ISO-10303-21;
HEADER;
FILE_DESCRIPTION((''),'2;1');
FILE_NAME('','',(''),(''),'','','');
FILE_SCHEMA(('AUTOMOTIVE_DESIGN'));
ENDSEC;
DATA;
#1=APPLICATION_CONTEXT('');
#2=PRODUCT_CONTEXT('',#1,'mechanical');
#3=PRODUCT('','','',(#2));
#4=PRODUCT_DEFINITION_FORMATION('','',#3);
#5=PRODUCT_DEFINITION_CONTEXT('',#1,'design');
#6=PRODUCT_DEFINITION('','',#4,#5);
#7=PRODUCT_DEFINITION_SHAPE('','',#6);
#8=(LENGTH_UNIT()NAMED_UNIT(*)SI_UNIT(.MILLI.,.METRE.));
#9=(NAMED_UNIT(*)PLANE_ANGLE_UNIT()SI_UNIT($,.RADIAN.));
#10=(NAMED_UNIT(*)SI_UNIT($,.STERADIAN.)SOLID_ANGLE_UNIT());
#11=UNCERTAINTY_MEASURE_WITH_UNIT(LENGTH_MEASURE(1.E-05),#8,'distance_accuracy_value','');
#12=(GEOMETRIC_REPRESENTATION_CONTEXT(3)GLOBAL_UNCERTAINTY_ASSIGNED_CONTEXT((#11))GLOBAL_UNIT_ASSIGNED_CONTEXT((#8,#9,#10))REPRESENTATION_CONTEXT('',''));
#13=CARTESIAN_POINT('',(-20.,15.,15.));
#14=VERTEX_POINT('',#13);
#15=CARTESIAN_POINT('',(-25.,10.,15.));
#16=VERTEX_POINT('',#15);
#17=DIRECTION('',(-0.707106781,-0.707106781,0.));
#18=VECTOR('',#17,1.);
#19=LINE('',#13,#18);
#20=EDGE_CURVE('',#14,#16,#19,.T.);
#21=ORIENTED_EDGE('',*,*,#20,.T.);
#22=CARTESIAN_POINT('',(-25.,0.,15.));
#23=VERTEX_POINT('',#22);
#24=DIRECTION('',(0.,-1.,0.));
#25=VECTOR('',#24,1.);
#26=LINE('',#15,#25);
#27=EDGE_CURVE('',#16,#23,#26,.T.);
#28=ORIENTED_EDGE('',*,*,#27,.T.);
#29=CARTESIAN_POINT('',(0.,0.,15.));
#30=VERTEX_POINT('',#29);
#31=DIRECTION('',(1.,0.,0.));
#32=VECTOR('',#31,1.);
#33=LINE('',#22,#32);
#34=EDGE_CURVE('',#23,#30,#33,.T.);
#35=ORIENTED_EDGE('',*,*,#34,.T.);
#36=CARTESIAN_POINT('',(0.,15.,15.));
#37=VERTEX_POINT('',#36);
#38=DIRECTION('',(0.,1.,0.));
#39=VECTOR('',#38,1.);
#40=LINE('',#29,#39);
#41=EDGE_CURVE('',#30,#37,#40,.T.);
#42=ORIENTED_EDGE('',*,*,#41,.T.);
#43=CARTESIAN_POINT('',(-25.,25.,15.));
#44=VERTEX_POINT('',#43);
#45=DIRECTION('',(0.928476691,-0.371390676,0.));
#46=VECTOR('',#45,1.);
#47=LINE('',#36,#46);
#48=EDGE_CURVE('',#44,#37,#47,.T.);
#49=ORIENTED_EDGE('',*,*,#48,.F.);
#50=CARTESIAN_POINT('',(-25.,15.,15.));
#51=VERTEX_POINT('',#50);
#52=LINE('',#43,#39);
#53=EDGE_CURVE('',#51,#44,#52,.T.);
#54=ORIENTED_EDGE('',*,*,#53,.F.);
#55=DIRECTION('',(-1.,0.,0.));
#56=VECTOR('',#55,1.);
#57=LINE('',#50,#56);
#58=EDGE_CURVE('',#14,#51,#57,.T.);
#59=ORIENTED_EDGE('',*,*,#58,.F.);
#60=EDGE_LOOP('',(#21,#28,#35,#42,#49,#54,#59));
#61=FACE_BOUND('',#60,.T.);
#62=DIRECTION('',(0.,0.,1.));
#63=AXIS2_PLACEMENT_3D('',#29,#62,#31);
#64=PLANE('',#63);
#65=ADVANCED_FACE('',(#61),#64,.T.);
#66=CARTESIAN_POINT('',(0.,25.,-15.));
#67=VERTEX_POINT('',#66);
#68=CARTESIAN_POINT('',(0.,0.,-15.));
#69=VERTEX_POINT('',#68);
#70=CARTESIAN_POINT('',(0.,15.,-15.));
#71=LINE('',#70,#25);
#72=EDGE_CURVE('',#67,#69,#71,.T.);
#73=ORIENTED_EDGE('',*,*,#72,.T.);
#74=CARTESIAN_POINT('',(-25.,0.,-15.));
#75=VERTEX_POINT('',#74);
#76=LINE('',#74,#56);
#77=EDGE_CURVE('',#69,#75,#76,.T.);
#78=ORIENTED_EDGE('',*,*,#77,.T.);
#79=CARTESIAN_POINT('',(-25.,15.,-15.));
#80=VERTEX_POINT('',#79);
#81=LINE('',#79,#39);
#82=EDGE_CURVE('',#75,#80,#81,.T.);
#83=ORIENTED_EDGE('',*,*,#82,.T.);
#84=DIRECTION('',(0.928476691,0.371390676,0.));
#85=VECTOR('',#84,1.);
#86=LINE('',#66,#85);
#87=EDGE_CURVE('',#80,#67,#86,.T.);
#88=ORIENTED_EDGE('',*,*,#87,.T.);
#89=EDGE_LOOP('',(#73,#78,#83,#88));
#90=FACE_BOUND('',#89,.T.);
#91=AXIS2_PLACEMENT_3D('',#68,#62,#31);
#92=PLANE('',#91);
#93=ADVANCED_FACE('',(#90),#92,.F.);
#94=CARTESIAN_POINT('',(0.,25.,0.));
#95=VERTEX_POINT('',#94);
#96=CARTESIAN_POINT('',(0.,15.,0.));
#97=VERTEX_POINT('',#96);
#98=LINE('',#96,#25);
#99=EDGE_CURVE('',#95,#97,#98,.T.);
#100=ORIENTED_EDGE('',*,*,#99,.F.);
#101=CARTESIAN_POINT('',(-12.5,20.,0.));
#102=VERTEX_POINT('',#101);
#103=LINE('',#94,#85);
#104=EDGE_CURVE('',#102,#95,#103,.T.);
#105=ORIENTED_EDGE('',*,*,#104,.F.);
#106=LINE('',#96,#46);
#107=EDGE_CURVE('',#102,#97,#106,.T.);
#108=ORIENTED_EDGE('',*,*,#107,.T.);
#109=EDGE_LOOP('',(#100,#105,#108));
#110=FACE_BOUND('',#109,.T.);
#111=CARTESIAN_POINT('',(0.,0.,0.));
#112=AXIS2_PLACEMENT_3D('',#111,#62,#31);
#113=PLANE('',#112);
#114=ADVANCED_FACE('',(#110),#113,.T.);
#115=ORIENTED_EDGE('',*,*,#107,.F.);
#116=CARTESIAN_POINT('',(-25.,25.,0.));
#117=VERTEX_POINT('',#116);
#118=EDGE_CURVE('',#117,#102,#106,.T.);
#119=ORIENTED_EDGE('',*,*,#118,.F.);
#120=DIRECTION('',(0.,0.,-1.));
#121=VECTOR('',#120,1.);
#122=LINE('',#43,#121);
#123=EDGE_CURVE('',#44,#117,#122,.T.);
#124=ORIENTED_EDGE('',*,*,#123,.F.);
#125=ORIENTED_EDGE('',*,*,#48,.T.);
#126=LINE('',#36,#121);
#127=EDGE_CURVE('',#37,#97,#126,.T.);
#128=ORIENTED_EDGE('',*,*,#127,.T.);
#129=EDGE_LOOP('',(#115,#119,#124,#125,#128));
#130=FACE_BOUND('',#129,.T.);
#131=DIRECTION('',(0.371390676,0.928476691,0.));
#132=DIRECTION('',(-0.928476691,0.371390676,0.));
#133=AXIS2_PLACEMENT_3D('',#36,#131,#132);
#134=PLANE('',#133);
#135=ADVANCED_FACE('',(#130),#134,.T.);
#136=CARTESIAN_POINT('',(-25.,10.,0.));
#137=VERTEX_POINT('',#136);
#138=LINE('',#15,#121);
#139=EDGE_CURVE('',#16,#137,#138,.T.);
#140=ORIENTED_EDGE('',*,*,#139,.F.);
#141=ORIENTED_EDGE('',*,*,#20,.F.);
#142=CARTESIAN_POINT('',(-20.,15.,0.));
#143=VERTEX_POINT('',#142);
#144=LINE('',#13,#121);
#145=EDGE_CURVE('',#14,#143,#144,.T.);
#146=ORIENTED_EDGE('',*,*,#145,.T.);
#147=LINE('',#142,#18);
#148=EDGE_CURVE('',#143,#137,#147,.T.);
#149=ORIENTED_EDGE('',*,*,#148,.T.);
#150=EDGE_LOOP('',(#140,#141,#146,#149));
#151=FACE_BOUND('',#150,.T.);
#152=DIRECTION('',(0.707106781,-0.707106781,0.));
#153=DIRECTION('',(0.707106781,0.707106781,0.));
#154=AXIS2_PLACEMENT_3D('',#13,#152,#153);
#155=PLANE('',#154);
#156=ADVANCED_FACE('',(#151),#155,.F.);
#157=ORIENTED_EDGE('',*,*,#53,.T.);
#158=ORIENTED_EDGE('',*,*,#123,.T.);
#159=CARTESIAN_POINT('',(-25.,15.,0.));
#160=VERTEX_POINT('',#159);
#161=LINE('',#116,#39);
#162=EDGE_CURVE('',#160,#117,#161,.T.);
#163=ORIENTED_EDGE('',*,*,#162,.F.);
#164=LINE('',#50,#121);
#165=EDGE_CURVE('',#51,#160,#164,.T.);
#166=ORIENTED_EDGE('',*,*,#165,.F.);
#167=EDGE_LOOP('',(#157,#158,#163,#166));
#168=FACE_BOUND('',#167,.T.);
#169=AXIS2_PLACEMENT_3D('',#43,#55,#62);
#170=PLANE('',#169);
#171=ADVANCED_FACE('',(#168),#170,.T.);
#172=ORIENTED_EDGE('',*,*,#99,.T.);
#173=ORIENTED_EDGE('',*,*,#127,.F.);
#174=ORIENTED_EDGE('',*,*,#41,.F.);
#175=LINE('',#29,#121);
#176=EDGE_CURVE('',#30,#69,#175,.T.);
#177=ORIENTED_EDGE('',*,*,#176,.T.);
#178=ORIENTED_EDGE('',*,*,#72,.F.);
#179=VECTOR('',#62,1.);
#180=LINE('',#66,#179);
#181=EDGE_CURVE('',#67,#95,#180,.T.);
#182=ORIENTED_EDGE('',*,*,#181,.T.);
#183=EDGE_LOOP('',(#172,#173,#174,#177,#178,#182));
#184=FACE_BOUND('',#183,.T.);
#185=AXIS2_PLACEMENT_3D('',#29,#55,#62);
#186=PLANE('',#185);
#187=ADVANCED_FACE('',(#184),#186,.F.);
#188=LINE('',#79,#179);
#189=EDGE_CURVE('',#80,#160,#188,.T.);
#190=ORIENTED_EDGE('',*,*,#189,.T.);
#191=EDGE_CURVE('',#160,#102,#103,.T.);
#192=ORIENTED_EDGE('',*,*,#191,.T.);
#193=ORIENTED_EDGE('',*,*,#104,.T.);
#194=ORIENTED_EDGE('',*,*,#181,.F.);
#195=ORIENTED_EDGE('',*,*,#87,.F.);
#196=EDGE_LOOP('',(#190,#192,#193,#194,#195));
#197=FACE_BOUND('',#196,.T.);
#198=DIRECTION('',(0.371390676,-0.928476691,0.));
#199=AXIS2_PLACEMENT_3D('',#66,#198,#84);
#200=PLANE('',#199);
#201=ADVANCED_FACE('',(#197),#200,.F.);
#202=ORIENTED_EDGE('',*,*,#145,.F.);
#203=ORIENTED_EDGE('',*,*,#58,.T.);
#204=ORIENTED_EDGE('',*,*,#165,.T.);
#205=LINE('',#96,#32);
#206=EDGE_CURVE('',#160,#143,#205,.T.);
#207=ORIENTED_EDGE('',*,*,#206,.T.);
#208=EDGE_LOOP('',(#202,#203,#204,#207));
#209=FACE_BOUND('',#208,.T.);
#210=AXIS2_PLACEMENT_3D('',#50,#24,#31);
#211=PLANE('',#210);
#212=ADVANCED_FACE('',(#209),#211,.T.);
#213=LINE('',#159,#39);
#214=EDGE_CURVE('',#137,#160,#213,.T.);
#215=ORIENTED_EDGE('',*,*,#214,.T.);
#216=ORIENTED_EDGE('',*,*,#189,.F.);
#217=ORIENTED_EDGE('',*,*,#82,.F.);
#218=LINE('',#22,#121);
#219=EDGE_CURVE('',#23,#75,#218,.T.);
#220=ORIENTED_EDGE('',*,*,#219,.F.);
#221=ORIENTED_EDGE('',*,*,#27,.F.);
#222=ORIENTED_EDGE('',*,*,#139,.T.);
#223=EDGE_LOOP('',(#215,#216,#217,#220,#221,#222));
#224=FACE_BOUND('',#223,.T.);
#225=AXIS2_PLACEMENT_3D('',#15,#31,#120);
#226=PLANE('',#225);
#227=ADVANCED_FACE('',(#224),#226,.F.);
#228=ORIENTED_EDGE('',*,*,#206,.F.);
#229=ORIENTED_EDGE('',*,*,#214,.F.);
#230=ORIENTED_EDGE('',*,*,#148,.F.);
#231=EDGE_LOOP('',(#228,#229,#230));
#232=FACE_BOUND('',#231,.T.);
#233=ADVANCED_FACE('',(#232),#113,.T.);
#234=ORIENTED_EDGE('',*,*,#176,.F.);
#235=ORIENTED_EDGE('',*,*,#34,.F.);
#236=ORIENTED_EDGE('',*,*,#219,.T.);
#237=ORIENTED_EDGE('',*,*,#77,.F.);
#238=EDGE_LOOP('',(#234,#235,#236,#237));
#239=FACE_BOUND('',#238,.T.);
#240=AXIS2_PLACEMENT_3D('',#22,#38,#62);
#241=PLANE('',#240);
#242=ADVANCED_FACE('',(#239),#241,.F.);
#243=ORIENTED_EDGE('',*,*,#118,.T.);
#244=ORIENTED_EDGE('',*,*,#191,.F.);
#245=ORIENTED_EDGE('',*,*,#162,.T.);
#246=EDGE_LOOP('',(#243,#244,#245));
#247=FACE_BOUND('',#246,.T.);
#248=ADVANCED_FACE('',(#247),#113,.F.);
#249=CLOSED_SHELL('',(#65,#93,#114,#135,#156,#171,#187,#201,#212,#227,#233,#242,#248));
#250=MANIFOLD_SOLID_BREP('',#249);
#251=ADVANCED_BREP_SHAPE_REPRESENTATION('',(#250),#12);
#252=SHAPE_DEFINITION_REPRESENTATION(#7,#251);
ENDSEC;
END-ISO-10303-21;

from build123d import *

# Parameters (mm, degrees)
BOSS_EXTRUDE1_DEPTH = 15
BOSS_EXTRUDE2_DEPTH = 15
SKETCH6_W           = 25
SKETCH6_H           = 15
BOSS_EXTRUDE7_DEPTH = 15
BOSS_EXTRUDE8_DEPTH = 15


with BuildPart() as part:
    # Sketch1 → Boss-Extrude1 (new body)
    with BuildSketch(Plane.XY):
        Polygon((-25, 0), (0, 0), (0, 15), (-20, 15), (-25, 10), align=None)
    extrude(amount=BOSS_EXTRUDE1_DEPTH)

    # Sketch2 → Boss-Extrude2 (add)
    with BuildSketch(Plane(origin=(0, 0, 0), x_dir=(-1, 0, 0), z_dir=(0, 0, -1))):
        Polygon((25, 25), (25, 15), (0, 15), align=None)
    extrude(amount=-BOSS_EXTRUDE2_DEPTH)



with BuildPart() as body_2:
    # Sketch6 → Boss-Extrude7 (new body)
    with BuildSketch(Plane(origin=(0, 0, 0), x_dir=(-1, 0, 0), z_dir=(0, 0, -1))):
        with Locations((12.5, 7.5)):
            Rectangle(SKETCH6_W, SKETCH6_H)
    extrude(amount=BOSS_EXTRUDE7_DEPTH)


with BuildPart() as part_1:
    add(part.part)

    add(body_2.part)  # Boss-Extrude8 merges body 2
    # Sketch7 → Boss-Extrude8 (add)
    with BuildSketch(Plane(origin=(0, 0, 0), x_dir=(-1, 0, 0), z_dir=(0, 0, -1))):
        Polygon((0, 15), (0, 25), (25, 15), align=None)
    extrude(amount=BOSS_EXTRUDE8_DEPTH)


solid = part_1.part
